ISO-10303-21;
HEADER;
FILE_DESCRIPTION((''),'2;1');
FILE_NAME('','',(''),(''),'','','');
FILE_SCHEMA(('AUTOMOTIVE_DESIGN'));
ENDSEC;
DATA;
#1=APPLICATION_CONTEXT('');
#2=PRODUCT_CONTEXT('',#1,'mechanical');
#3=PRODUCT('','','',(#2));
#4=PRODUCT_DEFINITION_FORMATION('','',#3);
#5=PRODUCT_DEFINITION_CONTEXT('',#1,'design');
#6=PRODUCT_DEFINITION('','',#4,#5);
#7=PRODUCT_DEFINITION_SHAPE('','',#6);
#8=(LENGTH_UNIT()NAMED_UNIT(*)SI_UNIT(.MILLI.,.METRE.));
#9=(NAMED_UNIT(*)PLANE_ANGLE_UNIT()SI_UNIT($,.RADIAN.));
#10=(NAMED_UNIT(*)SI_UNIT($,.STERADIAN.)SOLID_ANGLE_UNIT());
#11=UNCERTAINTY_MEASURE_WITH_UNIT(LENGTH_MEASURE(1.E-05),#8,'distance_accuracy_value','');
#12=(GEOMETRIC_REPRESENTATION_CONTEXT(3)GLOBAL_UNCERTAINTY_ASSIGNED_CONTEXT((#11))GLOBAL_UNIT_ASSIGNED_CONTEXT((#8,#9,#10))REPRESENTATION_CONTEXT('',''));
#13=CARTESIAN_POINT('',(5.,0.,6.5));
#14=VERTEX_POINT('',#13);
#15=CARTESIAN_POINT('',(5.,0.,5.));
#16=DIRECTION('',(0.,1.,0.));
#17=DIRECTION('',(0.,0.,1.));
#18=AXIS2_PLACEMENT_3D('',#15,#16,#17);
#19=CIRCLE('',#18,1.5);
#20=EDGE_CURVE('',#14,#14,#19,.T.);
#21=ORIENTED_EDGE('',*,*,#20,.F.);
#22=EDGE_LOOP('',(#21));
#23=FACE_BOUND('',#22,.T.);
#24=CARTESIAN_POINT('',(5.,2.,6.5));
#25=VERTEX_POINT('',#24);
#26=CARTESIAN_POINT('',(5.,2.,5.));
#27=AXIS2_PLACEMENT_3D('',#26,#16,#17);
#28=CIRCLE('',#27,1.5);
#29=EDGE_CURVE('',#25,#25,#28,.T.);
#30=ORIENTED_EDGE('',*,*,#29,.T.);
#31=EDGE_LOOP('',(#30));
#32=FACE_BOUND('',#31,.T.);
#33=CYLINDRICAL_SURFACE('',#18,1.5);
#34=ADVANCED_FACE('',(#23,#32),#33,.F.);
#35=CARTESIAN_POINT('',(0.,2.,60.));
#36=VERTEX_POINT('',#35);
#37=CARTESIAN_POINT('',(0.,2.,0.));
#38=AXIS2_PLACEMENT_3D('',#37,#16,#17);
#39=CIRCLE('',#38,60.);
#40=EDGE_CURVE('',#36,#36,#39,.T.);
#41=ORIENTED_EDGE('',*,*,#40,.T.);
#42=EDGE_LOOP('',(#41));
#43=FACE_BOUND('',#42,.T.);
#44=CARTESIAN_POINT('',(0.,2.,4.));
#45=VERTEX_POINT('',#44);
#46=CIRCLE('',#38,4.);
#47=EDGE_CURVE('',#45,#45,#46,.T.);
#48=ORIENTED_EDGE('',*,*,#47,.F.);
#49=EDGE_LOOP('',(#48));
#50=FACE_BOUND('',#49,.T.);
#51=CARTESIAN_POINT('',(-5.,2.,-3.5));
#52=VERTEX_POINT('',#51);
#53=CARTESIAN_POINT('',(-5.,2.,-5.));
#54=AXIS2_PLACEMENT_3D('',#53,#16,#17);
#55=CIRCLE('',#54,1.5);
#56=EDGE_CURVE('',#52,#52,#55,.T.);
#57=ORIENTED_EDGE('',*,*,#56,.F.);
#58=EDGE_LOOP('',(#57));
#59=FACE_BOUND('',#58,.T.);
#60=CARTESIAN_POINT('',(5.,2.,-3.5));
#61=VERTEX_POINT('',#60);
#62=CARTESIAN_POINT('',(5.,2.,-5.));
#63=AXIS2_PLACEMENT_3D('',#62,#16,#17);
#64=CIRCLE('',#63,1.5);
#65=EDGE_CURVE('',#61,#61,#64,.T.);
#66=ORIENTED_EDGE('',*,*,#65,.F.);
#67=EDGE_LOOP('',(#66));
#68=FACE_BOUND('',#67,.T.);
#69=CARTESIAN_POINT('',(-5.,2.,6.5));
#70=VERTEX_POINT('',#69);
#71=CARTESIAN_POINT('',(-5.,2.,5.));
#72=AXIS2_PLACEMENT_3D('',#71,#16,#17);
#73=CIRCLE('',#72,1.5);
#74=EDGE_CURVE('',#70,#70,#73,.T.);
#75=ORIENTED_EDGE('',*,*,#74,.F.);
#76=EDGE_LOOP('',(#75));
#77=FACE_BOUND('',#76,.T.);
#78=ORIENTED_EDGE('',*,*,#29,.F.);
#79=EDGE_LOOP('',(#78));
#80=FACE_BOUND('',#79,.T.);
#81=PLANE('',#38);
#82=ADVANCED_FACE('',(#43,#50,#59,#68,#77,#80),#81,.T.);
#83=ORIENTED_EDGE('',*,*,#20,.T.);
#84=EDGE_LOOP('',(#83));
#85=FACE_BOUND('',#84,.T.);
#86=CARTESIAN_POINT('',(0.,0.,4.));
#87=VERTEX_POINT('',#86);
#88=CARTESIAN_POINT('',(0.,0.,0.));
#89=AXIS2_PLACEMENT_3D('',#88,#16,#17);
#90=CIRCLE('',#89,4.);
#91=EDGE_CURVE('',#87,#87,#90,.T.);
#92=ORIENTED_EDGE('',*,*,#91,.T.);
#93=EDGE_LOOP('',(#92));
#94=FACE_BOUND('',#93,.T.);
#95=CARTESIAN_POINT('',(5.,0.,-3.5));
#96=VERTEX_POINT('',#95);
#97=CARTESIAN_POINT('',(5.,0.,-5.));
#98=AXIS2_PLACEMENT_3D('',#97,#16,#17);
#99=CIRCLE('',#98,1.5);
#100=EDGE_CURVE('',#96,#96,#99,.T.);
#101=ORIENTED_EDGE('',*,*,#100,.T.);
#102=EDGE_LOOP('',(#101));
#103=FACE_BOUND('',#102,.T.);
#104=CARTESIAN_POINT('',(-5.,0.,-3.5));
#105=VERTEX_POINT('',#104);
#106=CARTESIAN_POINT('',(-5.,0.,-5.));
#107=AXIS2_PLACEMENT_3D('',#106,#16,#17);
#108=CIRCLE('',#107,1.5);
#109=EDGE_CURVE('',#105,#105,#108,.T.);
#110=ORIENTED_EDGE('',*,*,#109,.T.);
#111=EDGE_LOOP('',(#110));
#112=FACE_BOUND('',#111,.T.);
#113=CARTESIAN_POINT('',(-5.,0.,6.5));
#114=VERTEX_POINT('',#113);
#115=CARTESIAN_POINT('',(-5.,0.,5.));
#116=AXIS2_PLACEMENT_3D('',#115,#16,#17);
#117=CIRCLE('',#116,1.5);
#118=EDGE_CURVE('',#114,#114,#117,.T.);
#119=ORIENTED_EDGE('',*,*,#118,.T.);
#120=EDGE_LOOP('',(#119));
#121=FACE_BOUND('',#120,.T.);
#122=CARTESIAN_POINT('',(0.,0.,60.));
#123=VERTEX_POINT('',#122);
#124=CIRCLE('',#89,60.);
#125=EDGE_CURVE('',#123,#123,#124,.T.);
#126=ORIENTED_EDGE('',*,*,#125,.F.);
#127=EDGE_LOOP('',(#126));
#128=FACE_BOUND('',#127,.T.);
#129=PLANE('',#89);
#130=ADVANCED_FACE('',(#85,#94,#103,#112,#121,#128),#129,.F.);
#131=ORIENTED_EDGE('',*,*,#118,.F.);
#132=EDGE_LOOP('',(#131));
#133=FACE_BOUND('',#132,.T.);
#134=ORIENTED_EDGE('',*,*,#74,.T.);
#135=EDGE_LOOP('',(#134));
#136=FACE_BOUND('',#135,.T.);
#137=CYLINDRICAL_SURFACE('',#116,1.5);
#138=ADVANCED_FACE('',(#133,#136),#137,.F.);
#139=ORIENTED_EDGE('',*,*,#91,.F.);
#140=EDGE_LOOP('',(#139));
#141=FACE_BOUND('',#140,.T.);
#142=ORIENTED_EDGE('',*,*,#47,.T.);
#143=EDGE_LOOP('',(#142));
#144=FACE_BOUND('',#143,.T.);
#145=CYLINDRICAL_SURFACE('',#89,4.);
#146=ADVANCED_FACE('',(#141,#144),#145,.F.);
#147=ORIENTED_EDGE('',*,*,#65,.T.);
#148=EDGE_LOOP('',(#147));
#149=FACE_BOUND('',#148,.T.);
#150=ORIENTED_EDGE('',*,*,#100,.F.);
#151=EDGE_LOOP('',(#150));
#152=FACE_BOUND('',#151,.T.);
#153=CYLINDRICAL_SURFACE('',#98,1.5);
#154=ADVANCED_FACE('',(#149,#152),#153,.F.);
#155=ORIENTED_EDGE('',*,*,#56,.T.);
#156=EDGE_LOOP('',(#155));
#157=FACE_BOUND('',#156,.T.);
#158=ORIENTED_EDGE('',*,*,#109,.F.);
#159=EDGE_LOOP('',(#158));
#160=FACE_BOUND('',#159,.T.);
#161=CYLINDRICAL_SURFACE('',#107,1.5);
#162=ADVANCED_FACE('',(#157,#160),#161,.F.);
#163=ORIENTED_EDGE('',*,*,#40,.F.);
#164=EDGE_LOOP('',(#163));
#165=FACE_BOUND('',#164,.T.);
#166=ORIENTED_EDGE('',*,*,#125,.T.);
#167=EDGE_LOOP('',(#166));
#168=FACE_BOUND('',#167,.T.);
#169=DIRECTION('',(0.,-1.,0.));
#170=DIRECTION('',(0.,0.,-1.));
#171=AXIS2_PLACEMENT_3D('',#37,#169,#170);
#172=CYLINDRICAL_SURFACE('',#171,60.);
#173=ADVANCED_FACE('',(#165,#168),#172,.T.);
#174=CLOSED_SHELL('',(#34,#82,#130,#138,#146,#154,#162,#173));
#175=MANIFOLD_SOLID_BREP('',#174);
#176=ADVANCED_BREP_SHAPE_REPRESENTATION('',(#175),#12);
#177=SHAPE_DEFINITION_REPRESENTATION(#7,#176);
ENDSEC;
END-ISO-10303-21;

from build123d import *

# Parameters (mm, degrees)
SKETCH_1_R          = 60
EXTRUDE_1_DEPTH     = 2
SKETCH_2_R          = 4
CUT_EXTRUDE_1_DEPTH = 2


with BuildPart() as part:
    # 草图1 → 凸台-拉伸1 (new body)
    with BuildSketch(Plane(origin=(0, 0, 0), x_dir=(1, 0, 0), z_dir=(0, 1, 0))):
        with Locations(Location((0, 0, 0), (0, 0, 270))):
            Circle(SKETCH_1_R)
    extrude(amount=EXTRUDE_1_DEPTH)

    # 草图2 → 切除-拉伸1 (cut)
    with BuildSketch(Plane(origin=(0, 2, 0), x_dir=(1, 0, 0), z_dir=(0, 1, 0))):
        with BuildLine():
            ThreePointArc((-3.5, 5), (-6.060660172, 6.060660172), (-5, 3.5))
            Line((-5, 3.5), (-5, 5))
            Line((-5, 5), (-3.5, 5))
        make_face()
        with BuildLine():
            Line((-5, 5), (-5, 3.5))
            ThreePointArc((-5, 3.5), (-3.939339828, 3.939339828), (-3.5, 5))
            Line((-3.5, 5), (-5, 5))
        make_face()
        with BuildLine():
            ThreePointArc((3.5, 5), (3.939339828, 3.939339828), (5, 3.5))
            Line((5, 3.5), (5, 5))
            Line((5, 5), (3.5, 5))
        make_face()
        with BuildLine():
            Line((5, 5), (5, 3.5))
            ThreePointArc((5, 3.5), (6.060660172, 3.939339828), (6.5, 5))
            ThreePointArc((6.5, 5), (5, 6.5), (3.5, 5))
            Line((3.5, 5), (5, 5))
        make_face()
        with Locations(Location((0, 0, 0), (0, 0, 270))):
            Circle(SKETCH_2_R)
        with BuildLine():
            ThreePointArc((5, -3.5), (3.939339828, -3.939339828), (3.5, -5))
            Line((3.5, -5), (5, -5))
            Line((5, -5), (5, -3.5))
        make_face()
        with BuildLine():
            Line((5, -5), (3.5, -5))
            ThreePointArc((3.5, -5), (5, -6.5), (6.5, -5))
            ThreePointArc((6.5, -5), (6.060660172, -3.939339828), (5, -3.5))
            Line((5, -3.5), (5, -5))
        make_face()
        with BuildLine():
            ThreePointArc((-5, -3.5), (-6.060660172, -6.060660172), (-3.5, -5))
            Line((-3.5, -5), (-5, -5))
            Line((-5, -5), (-5, -3.5))
        make_face()
        with BuildLine():
            Line((-5, -5), (-3.5, -5))
            ThreePointArc((-3.5, -5), (-3.939339828, -3.939339828), (-5, -3.5))
            Line((-5, -3.5), (-5, -5))
        make_face()
    extrude(amount=-CUT_EXTRUDE_1_DEPTH, mode=Mode.SUBTRACT)


solid = part.part
